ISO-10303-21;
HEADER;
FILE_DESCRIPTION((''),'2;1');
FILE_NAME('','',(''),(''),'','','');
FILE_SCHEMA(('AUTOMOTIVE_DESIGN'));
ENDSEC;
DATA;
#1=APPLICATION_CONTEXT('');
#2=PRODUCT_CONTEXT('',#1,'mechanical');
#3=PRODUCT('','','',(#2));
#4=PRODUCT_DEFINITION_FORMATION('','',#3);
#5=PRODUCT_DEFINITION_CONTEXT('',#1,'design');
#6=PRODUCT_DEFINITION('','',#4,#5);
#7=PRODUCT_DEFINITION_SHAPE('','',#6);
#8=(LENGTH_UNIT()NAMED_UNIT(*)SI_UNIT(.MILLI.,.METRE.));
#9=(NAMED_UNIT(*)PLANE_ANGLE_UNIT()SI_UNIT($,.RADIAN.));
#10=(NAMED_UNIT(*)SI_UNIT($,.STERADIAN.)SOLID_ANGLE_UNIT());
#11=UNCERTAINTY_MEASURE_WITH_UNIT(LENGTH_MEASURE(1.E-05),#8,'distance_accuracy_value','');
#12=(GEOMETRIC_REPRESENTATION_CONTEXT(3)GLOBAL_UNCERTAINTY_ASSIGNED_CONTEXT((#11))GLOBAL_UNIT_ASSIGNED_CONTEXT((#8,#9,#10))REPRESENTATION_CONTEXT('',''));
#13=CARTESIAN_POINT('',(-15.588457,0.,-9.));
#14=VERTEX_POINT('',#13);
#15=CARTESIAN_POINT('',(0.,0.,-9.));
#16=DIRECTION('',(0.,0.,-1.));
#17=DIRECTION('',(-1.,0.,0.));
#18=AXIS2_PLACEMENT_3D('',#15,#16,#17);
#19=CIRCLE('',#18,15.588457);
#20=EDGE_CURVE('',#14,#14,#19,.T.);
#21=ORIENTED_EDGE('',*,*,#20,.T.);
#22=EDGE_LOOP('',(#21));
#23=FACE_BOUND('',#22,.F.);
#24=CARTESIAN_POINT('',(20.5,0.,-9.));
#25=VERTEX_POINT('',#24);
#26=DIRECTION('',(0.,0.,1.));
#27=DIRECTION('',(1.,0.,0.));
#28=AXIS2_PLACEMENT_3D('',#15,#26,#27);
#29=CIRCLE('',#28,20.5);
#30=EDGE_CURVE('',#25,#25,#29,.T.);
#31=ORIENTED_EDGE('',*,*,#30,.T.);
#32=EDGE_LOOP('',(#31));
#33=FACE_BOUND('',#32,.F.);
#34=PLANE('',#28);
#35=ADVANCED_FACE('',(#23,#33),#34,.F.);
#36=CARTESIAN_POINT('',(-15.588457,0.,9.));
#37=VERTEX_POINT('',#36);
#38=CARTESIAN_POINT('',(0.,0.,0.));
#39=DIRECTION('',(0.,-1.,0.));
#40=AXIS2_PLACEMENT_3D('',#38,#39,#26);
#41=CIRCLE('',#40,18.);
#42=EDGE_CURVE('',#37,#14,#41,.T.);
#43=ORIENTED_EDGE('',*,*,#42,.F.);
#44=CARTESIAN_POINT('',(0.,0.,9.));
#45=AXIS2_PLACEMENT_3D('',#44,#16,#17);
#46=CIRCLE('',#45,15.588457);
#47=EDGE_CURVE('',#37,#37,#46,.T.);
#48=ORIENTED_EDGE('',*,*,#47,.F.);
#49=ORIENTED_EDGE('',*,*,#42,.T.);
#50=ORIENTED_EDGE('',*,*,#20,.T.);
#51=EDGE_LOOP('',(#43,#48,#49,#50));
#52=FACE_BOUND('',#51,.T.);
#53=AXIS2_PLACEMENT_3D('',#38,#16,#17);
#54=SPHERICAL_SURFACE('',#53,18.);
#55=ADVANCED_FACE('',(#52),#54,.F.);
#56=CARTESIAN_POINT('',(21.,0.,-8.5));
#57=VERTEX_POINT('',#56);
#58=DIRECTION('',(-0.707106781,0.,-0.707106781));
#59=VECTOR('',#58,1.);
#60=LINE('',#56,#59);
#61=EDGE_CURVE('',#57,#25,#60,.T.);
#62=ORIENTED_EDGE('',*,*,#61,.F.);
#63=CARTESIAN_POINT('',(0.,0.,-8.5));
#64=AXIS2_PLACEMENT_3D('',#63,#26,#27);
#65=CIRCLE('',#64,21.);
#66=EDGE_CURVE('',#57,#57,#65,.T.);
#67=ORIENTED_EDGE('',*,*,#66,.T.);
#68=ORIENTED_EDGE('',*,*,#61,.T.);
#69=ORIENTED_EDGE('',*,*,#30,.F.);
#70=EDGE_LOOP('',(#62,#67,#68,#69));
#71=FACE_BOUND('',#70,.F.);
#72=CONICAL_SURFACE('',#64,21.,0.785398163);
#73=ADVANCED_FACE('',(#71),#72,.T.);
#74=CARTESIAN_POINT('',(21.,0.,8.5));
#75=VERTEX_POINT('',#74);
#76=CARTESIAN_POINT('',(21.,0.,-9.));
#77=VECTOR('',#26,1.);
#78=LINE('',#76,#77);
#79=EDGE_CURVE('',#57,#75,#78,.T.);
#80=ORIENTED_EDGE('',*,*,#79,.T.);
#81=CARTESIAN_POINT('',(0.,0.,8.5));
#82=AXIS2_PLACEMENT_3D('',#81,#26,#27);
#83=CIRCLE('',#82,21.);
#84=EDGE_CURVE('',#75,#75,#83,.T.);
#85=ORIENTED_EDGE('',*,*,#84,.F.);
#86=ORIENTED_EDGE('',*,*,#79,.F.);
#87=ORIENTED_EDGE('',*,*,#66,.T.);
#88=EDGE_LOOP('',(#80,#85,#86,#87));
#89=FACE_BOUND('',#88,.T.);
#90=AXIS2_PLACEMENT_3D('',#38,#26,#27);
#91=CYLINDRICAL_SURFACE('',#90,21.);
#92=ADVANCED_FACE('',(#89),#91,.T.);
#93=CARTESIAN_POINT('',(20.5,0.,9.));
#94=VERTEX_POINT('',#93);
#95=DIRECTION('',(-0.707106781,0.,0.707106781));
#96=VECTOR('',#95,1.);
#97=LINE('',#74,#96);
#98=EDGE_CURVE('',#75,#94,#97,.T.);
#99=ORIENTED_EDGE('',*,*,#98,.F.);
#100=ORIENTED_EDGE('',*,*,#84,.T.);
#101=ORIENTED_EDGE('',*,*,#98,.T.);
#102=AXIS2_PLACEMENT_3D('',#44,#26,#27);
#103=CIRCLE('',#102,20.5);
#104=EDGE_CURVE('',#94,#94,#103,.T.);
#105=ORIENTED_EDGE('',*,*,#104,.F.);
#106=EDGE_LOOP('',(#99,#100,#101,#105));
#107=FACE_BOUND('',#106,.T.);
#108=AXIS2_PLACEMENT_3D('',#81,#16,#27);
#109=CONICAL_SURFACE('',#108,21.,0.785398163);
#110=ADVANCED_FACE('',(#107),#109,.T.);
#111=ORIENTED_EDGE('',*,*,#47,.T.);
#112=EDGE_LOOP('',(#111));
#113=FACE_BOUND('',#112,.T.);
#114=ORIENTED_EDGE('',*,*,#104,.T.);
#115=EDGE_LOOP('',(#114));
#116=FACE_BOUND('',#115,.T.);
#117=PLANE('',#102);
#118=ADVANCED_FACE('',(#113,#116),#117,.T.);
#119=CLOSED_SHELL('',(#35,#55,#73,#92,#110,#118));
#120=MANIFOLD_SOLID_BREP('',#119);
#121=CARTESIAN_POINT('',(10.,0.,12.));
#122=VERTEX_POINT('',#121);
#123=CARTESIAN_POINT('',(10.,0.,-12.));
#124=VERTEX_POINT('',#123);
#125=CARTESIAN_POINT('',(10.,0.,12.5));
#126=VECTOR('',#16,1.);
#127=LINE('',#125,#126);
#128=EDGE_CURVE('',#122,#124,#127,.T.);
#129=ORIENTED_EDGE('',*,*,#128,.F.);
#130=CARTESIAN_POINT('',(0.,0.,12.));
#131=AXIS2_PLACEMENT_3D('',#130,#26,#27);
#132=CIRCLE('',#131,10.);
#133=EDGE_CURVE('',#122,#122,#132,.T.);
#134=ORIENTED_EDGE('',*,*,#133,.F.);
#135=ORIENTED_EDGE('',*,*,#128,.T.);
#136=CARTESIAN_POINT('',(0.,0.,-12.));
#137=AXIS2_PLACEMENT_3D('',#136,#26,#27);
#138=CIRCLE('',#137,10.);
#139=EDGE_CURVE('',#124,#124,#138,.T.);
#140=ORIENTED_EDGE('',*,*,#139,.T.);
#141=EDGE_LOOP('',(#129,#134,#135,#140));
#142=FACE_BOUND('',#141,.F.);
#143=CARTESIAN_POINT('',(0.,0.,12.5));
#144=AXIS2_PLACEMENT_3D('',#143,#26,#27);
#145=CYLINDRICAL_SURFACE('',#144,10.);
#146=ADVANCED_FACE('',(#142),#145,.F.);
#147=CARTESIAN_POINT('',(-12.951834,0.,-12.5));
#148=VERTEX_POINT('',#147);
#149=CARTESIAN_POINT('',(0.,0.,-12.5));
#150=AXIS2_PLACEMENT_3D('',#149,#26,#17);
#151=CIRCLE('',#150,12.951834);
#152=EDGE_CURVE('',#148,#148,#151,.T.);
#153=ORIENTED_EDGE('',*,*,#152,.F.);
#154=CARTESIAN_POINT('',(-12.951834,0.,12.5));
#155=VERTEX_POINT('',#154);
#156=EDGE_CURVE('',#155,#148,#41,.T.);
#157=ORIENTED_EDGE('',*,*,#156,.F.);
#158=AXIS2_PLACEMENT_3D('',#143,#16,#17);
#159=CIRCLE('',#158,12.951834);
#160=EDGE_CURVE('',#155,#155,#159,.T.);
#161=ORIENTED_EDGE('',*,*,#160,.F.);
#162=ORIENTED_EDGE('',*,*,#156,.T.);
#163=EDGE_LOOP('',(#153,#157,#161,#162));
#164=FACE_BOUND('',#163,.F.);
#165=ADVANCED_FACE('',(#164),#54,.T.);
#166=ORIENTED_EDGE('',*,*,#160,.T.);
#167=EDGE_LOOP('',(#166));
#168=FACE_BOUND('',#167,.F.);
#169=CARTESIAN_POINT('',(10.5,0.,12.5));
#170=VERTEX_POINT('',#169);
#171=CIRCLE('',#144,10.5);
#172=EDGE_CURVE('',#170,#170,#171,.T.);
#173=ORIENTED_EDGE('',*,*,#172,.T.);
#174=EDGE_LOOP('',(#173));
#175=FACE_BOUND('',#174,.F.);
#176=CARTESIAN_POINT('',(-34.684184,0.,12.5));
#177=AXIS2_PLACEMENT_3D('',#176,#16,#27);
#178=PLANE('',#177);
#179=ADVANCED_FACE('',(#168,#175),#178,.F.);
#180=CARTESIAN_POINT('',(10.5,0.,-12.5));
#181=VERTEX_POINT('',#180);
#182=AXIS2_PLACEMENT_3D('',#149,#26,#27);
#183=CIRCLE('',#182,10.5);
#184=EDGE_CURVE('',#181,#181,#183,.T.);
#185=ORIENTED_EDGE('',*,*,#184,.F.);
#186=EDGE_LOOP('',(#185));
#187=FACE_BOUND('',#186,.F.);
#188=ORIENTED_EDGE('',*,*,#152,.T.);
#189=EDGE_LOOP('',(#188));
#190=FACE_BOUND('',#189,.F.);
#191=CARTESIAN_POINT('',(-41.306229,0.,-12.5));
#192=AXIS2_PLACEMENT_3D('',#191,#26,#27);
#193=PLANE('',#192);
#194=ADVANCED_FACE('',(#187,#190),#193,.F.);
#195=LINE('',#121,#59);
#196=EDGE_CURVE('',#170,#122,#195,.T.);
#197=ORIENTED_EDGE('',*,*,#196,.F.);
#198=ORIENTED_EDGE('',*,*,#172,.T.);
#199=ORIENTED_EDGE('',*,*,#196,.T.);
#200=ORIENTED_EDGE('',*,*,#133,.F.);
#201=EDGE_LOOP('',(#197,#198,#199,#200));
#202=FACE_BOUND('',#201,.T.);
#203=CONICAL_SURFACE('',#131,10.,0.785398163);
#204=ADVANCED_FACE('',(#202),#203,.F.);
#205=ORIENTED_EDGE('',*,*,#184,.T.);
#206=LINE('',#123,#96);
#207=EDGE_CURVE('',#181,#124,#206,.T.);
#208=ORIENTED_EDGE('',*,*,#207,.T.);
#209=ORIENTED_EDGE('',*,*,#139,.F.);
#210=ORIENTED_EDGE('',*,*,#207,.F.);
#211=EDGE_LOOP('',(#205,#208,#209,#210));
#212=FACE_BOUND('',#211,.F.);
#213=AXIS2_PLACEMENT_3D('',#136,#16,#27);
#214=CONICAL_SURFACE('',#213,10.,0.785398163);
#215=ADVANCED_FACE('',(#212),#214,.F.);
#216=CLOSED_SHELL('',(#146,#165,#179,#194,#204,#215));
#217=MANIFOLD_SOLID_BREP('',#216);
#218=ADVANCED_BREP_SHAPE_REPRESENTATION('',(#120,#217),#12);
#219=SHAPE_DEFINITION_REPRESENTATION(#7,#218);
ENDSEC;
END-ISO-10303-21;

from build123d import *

# Parameters (mm, degrees)
F0_R          = 21
F1_DEPTH      = 9
F5_W          = 69.3683687429
F5_H          = 36.7891268256
F5_W_2        = 82.6124584142
F5_H_2        = 24.5260778603
F6_DEPTH      = 21.001
F6_DEPTH_BACK = 21.001
F7_R          = 10
F8_DEPTH      = 25.001
F9_SIZE       = 0.5
F9_2_SIZE     = 0.5


with BuildPart() as f1:
    # F0 (on Top) → F1 (new body, symmetric)
    with BuildSketch(Plane.XY):
        Circle(F0_R)
    extrude(amount=F1_DEPTH, both=True)

    # F2 (on Front) → F3 (revolve, cut)
    with BuildSketch(Plane.XZ):
        with BuildLine():
            Line((0, -18), (0, 18))
            ThreePointArc((0, 18), (-18, 0), (0, -18))
        make_face()
    revolve(axis=Axis((0, 0, 0.9149120826), (0, 0, 1)), mode=Mode.SUBTRACT)

    # F9
    f9_edges = [f1.edges().sort_by_distance(p)[0] for p in [
        (-21, 0, 9),
        (-21, 0, -9),
    ]]
    chamfer(f9_edges, length=F9_SIZE)


with BuildPart() as f4:
    # F2 (on Front) → F4 (revolve)
    with BuildSketch(Plane.XZ):
        with BuildLine():
            Line((0, -18), (0, 18))
            ThreePointArc((0, 18), (-18, 0), (0, -18))
        make_face()
    revolve(axis=Axis((0, 0, 0.9149120826), (0, 0, 1)))

    # F5 (on Front) → F6 (cut, two sides)
    with BuildSketch(Plane.XZ) as f6_sk:
        with Locations((0, 30.8945634128)):
            Rectangle(F5_W, F5_H)
        with Locations((0, -24.7630389301)):
            Rectangle(F5_W_2, F5_H_2)
    extrude(amount=-F6_DEPTH, mode=Mode.SUBTRACT)
    extrude(f6_sk.sketch, amount=F6_DEPTH_BACK, mode=Mode.SUBTRACT)

    # F7 (on face) → F8 (cut, through all)
    with BuildSketch(Plane.XY.offset(12.5)):
        Circle(F7_R)
    extrude(amount=-F8_DEPTH, mode=Mode.SUBTRACT)

    # F9#2
    f9_2_edges = [f4.edges().sort_by_distance(p)[0] for p in [
        (-10, 0, 12.5),
        (10, 0, 0),
        (-10, 0, -12.5),
    ]]
    chamfer(f9_2_edges, length=F9_2_SIZE)


solid = Compound([f1.part, f4.part])
